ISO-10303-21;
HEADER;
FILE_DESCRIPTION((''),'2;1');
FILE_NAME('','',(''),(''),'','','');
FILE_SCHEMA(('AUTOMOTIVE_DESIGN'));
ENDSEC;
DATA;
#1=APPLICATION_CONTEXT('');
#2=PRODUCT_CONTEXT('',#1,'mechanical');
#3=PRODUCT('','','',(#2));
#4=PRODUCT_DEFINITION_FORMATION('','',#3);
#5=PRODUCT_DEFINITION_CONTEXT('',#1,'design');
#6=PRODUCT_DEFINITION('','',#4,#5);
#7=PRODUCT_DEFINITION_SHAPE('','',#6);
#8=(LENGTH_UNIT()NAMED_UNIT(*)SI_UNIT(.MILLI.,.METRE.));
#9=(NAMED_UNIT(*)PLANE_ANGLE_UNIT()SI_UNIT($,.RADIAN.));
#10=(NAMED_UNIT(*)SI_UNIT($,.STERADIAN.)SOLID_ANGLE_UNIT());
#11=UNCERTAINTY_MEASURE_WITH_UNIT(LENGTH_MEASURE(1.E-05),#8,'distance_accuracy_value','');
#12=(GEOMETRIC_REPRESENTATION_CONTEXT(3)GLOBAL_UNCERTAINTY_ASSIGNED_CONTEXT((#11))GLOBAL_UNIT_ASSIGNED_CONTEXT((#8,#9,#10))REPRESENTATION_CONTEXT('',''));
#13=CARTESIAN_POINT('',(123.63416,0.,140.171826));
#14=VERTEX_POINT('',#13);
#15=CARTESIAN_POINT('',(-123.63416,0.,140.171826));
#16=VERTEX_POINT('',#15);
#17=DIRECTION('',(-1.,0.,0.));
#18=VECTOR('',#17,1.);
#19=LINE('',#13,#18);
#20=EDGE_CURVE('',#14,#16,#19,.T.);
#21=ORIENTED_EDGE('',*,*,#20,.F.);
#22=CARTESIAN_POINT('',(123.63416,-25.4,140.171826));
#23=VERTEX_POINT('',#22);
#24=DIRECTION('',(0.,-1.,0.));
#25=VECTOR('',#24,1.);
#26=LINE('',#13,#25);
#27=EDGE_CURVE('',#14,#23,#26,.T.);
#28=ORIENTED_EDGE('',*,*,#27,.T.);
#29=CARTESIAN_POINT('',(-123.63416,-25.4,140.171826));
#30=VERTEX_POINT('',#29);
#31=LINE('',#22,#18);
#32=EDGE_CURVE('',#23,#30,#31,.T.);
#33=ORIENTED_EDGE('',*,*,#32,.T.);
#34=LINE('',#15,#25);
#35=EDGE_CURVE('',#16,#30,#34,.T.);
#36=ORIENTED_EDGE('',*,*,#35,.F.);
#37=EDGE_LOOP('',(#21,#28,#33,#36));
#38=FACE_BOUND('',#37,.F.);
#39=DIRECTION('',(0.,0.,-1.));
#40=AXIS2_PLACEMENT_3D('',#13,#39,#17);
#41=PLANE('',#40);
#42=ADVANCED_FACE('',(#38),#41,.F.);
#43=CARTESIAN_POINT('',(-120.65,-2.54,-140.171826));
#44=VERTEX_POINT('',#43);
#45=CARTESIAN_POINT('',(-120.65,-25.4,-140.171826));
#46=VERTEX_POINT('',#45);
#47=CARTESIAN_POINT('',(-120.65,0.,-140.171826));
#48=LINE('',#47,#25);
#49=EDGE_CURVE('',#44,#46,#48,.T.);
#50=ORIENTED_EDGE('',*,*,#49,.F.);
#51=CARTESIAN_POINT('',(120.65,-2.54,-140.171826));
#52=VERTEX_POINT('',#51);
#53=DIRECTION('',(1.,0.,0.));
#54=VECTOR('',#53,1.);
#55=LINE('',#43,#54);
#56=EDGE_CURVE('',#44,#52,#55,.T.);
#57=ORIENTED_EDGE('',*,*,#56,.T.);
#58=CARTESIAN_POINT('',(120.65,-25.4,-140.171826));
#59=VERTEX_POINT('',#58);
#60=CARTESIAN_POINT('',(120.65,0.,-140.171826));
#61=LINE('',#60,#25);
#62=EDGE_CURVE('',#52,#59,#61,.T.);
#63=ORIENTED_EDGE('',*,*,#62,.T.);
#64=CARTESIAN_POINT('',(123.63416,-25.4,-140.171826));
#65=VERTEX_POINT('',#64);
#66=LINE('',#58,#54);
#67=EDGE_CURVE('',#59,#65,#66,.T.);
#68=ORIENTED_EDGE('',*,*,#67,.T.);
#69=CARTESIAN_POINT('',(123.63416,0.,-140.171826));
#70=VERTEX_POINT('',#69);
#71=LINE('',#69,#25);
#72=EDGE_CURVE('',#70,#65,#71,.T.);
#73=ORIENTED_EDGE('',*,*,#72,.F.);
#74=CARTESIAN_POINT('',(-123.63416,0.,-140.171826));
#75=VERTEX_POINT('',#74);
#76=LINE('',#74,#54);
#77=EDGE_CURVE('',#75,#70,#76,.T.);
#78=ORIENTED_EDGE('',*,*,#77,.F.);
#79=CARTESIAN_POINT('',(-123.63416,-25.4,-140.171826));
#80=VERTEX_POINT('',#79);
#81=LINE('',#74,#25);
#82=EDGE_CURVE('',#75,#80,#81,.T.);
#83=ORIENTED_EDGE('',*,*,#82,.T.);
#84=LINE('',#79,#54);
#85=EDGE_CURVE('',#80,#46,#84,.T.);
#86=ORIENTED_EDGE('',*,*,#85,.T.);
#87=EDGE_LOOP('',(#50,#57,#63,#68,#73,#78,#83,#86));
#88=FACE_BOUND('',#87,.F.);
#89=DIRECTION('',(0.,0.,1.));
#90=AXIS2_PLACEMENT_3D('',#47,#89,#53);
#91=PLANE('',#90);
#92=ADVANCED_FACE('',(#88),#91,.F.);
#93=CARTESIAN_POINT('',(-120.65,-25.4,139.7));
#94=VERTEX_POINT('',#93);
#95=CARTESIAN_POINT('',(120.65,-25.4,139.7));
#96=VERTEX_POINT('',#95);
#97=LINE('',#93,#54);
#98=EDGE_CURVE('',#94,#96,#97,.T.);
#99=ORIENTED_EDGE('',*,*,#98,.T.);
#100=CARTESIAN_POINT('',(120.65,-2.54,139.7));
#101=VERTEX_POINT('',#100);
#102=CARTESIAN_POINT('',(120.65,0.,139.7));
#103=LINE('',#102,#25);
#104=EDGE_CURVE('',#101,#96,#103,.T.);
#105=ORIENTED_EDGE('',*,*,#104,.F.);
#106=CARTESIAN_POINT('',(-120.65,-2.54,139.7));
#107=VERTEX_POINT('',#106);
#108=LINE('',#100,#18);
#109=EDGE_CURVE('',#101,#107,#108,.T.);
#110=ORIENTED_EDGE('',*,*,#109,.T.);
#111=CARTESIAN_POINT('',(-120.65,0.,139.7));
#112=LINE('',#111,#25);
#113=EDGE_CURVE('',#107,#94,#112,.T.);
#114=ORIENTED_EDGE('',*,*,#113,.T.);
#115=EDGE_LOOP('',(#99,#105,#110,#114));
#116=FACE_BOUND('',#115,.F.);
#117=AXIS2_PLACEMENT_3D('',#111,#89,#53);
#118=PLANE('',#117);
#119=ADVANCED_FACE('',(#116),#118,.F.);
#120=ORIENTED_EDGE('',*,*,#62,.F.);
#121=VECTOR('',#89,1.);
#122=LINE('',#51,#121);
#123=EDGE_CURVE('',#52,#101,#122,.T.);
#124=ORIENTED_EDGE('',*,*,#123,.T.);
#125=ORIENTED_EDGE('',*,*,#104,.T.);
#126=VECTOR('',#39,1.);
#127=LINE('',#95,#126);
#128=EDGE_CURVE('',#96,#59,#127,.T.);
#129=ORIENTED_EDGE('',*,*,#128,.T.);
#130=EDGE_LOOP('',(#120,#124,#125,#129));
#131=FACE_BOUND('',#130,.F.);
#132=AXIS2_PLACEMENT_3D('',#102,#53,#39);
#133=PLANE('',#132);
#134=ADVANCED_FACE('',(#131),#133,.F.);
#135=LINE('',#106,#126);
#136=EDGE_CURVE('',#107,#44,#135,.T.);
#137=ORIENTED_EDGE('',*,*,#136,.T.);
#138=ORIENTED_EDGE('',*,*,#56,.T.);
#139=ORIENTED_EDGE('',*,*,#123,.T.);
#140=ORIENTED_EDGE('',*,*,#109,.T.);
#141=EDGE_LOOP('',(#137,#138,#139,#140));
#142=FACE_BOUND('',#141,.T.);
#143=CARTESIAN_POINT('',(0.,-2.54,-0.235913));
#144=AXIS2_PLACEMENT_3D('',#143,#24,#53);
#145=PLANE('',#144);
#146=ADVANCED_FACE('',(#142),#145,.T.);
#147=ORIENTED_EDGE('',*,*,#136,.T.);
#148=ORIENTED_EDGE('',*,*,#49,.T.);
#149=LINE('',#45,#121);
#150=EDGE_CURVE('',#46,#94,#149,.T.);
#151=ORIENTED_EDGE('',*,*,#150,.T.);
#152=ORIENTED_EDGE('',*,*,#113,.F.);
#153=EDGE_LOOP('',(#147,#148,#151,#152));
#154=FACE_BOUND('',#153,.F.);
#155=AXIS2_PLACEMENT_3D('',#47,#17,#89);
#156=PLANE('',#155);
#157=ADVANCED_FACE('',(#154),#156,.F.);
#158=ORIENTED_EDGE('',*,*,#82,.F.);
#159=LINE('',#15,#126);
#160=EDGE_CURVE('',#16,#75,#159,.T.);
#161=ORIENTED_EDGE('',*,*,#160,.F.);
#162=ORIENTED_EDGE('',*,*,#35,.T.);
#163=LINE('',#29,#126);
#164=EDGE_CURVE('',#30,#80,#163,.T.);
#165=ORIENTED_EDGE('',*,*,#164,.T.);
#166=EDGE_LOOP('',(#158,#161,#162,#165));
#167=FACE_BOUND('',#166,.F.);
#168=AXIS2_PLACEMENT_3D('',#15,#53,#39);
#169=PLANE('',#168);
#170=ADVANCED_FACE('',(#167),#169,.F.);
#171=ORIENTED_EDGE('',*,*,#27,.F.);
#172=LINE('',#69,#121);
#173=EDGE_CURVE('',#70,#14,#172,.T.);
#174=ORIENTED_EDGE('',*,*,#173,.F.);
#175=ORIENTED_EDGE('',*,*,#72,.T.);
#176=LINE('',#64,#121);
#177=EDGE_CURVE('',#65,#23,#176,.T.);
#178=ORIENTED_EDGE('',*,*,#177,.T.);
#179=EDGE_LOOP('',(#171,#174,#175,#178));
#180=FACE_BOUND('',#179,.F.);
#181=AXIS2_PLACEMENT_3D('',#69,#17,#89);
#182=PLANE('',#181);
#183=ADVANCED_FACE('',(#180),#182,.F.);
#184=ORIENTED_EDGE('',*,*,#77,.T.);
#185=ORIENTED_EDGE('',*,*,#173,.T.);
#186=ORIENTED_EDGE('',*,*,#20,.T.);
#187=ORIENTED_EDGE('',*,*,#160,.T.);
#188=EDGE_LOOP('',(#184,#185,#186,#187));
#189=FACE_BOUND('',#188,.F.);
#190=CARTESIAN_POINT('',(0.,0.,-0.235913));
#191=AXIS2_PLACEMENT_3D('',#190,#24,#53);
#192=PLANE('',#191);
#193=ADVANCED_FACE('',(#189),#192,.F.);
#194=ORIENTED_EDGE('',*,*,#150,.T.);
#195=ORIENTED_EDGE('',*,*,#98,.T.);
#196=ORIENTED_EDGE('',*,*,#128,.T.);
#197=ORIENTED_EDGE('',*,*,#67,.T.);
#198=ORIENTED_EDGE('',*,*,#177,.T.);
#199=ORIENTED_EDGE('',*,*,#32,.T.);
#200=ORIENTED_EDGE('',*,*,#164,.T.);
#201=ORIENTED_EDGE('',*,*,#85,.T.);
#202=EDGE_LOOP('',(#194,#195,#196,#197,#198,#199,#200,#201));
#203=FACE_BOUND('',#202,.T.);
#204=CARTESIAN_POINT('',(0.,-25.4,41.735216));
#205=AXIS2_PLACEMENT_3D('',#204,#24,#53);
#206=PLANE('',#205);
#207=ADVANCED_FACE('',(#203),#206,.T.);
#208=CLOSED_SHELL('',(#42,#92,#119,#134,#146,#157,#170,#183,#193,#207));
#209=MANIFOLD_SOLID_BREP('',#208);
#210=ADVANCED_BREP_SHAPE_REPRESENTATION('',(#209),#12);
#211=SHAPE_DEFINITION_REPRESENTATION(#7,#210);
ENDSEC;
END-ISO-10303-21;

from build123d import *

# Parameters (mm, degrees)
F1_DEPTH = 25.4
F2_DEPTH = 2.54


with BuildPart() as f1:
    # F0 (on Front) → F1 (new body)
    with BuildSketch(Plane.XZ):
        Polygon((-120.65, 139.7), (120.65, 139.7), (120.65, -139.7), (120.65, -140.171826), (123.63416, -140.171826), (123.63416, 140.171826), (-123.63416, 140.171826), (-123.63416, -140.171826), (-120.65, -140.171826), (-120.65, -139.7), align=None)
    extrude(amount=F1_DEPTH)

    # F0 (on Front) → F2 (join)
    with BuildSketch(Plane.XZ):
        Polygon((120.65, -139.7), (120.65, 139.7), (-120.65, 139.7), (-120.65, -139.7), (-120.65, -140.171826), (120.65, -140.171826), align=None)
    extrude(amount=F2_DEPTH)


solid = f1.part
